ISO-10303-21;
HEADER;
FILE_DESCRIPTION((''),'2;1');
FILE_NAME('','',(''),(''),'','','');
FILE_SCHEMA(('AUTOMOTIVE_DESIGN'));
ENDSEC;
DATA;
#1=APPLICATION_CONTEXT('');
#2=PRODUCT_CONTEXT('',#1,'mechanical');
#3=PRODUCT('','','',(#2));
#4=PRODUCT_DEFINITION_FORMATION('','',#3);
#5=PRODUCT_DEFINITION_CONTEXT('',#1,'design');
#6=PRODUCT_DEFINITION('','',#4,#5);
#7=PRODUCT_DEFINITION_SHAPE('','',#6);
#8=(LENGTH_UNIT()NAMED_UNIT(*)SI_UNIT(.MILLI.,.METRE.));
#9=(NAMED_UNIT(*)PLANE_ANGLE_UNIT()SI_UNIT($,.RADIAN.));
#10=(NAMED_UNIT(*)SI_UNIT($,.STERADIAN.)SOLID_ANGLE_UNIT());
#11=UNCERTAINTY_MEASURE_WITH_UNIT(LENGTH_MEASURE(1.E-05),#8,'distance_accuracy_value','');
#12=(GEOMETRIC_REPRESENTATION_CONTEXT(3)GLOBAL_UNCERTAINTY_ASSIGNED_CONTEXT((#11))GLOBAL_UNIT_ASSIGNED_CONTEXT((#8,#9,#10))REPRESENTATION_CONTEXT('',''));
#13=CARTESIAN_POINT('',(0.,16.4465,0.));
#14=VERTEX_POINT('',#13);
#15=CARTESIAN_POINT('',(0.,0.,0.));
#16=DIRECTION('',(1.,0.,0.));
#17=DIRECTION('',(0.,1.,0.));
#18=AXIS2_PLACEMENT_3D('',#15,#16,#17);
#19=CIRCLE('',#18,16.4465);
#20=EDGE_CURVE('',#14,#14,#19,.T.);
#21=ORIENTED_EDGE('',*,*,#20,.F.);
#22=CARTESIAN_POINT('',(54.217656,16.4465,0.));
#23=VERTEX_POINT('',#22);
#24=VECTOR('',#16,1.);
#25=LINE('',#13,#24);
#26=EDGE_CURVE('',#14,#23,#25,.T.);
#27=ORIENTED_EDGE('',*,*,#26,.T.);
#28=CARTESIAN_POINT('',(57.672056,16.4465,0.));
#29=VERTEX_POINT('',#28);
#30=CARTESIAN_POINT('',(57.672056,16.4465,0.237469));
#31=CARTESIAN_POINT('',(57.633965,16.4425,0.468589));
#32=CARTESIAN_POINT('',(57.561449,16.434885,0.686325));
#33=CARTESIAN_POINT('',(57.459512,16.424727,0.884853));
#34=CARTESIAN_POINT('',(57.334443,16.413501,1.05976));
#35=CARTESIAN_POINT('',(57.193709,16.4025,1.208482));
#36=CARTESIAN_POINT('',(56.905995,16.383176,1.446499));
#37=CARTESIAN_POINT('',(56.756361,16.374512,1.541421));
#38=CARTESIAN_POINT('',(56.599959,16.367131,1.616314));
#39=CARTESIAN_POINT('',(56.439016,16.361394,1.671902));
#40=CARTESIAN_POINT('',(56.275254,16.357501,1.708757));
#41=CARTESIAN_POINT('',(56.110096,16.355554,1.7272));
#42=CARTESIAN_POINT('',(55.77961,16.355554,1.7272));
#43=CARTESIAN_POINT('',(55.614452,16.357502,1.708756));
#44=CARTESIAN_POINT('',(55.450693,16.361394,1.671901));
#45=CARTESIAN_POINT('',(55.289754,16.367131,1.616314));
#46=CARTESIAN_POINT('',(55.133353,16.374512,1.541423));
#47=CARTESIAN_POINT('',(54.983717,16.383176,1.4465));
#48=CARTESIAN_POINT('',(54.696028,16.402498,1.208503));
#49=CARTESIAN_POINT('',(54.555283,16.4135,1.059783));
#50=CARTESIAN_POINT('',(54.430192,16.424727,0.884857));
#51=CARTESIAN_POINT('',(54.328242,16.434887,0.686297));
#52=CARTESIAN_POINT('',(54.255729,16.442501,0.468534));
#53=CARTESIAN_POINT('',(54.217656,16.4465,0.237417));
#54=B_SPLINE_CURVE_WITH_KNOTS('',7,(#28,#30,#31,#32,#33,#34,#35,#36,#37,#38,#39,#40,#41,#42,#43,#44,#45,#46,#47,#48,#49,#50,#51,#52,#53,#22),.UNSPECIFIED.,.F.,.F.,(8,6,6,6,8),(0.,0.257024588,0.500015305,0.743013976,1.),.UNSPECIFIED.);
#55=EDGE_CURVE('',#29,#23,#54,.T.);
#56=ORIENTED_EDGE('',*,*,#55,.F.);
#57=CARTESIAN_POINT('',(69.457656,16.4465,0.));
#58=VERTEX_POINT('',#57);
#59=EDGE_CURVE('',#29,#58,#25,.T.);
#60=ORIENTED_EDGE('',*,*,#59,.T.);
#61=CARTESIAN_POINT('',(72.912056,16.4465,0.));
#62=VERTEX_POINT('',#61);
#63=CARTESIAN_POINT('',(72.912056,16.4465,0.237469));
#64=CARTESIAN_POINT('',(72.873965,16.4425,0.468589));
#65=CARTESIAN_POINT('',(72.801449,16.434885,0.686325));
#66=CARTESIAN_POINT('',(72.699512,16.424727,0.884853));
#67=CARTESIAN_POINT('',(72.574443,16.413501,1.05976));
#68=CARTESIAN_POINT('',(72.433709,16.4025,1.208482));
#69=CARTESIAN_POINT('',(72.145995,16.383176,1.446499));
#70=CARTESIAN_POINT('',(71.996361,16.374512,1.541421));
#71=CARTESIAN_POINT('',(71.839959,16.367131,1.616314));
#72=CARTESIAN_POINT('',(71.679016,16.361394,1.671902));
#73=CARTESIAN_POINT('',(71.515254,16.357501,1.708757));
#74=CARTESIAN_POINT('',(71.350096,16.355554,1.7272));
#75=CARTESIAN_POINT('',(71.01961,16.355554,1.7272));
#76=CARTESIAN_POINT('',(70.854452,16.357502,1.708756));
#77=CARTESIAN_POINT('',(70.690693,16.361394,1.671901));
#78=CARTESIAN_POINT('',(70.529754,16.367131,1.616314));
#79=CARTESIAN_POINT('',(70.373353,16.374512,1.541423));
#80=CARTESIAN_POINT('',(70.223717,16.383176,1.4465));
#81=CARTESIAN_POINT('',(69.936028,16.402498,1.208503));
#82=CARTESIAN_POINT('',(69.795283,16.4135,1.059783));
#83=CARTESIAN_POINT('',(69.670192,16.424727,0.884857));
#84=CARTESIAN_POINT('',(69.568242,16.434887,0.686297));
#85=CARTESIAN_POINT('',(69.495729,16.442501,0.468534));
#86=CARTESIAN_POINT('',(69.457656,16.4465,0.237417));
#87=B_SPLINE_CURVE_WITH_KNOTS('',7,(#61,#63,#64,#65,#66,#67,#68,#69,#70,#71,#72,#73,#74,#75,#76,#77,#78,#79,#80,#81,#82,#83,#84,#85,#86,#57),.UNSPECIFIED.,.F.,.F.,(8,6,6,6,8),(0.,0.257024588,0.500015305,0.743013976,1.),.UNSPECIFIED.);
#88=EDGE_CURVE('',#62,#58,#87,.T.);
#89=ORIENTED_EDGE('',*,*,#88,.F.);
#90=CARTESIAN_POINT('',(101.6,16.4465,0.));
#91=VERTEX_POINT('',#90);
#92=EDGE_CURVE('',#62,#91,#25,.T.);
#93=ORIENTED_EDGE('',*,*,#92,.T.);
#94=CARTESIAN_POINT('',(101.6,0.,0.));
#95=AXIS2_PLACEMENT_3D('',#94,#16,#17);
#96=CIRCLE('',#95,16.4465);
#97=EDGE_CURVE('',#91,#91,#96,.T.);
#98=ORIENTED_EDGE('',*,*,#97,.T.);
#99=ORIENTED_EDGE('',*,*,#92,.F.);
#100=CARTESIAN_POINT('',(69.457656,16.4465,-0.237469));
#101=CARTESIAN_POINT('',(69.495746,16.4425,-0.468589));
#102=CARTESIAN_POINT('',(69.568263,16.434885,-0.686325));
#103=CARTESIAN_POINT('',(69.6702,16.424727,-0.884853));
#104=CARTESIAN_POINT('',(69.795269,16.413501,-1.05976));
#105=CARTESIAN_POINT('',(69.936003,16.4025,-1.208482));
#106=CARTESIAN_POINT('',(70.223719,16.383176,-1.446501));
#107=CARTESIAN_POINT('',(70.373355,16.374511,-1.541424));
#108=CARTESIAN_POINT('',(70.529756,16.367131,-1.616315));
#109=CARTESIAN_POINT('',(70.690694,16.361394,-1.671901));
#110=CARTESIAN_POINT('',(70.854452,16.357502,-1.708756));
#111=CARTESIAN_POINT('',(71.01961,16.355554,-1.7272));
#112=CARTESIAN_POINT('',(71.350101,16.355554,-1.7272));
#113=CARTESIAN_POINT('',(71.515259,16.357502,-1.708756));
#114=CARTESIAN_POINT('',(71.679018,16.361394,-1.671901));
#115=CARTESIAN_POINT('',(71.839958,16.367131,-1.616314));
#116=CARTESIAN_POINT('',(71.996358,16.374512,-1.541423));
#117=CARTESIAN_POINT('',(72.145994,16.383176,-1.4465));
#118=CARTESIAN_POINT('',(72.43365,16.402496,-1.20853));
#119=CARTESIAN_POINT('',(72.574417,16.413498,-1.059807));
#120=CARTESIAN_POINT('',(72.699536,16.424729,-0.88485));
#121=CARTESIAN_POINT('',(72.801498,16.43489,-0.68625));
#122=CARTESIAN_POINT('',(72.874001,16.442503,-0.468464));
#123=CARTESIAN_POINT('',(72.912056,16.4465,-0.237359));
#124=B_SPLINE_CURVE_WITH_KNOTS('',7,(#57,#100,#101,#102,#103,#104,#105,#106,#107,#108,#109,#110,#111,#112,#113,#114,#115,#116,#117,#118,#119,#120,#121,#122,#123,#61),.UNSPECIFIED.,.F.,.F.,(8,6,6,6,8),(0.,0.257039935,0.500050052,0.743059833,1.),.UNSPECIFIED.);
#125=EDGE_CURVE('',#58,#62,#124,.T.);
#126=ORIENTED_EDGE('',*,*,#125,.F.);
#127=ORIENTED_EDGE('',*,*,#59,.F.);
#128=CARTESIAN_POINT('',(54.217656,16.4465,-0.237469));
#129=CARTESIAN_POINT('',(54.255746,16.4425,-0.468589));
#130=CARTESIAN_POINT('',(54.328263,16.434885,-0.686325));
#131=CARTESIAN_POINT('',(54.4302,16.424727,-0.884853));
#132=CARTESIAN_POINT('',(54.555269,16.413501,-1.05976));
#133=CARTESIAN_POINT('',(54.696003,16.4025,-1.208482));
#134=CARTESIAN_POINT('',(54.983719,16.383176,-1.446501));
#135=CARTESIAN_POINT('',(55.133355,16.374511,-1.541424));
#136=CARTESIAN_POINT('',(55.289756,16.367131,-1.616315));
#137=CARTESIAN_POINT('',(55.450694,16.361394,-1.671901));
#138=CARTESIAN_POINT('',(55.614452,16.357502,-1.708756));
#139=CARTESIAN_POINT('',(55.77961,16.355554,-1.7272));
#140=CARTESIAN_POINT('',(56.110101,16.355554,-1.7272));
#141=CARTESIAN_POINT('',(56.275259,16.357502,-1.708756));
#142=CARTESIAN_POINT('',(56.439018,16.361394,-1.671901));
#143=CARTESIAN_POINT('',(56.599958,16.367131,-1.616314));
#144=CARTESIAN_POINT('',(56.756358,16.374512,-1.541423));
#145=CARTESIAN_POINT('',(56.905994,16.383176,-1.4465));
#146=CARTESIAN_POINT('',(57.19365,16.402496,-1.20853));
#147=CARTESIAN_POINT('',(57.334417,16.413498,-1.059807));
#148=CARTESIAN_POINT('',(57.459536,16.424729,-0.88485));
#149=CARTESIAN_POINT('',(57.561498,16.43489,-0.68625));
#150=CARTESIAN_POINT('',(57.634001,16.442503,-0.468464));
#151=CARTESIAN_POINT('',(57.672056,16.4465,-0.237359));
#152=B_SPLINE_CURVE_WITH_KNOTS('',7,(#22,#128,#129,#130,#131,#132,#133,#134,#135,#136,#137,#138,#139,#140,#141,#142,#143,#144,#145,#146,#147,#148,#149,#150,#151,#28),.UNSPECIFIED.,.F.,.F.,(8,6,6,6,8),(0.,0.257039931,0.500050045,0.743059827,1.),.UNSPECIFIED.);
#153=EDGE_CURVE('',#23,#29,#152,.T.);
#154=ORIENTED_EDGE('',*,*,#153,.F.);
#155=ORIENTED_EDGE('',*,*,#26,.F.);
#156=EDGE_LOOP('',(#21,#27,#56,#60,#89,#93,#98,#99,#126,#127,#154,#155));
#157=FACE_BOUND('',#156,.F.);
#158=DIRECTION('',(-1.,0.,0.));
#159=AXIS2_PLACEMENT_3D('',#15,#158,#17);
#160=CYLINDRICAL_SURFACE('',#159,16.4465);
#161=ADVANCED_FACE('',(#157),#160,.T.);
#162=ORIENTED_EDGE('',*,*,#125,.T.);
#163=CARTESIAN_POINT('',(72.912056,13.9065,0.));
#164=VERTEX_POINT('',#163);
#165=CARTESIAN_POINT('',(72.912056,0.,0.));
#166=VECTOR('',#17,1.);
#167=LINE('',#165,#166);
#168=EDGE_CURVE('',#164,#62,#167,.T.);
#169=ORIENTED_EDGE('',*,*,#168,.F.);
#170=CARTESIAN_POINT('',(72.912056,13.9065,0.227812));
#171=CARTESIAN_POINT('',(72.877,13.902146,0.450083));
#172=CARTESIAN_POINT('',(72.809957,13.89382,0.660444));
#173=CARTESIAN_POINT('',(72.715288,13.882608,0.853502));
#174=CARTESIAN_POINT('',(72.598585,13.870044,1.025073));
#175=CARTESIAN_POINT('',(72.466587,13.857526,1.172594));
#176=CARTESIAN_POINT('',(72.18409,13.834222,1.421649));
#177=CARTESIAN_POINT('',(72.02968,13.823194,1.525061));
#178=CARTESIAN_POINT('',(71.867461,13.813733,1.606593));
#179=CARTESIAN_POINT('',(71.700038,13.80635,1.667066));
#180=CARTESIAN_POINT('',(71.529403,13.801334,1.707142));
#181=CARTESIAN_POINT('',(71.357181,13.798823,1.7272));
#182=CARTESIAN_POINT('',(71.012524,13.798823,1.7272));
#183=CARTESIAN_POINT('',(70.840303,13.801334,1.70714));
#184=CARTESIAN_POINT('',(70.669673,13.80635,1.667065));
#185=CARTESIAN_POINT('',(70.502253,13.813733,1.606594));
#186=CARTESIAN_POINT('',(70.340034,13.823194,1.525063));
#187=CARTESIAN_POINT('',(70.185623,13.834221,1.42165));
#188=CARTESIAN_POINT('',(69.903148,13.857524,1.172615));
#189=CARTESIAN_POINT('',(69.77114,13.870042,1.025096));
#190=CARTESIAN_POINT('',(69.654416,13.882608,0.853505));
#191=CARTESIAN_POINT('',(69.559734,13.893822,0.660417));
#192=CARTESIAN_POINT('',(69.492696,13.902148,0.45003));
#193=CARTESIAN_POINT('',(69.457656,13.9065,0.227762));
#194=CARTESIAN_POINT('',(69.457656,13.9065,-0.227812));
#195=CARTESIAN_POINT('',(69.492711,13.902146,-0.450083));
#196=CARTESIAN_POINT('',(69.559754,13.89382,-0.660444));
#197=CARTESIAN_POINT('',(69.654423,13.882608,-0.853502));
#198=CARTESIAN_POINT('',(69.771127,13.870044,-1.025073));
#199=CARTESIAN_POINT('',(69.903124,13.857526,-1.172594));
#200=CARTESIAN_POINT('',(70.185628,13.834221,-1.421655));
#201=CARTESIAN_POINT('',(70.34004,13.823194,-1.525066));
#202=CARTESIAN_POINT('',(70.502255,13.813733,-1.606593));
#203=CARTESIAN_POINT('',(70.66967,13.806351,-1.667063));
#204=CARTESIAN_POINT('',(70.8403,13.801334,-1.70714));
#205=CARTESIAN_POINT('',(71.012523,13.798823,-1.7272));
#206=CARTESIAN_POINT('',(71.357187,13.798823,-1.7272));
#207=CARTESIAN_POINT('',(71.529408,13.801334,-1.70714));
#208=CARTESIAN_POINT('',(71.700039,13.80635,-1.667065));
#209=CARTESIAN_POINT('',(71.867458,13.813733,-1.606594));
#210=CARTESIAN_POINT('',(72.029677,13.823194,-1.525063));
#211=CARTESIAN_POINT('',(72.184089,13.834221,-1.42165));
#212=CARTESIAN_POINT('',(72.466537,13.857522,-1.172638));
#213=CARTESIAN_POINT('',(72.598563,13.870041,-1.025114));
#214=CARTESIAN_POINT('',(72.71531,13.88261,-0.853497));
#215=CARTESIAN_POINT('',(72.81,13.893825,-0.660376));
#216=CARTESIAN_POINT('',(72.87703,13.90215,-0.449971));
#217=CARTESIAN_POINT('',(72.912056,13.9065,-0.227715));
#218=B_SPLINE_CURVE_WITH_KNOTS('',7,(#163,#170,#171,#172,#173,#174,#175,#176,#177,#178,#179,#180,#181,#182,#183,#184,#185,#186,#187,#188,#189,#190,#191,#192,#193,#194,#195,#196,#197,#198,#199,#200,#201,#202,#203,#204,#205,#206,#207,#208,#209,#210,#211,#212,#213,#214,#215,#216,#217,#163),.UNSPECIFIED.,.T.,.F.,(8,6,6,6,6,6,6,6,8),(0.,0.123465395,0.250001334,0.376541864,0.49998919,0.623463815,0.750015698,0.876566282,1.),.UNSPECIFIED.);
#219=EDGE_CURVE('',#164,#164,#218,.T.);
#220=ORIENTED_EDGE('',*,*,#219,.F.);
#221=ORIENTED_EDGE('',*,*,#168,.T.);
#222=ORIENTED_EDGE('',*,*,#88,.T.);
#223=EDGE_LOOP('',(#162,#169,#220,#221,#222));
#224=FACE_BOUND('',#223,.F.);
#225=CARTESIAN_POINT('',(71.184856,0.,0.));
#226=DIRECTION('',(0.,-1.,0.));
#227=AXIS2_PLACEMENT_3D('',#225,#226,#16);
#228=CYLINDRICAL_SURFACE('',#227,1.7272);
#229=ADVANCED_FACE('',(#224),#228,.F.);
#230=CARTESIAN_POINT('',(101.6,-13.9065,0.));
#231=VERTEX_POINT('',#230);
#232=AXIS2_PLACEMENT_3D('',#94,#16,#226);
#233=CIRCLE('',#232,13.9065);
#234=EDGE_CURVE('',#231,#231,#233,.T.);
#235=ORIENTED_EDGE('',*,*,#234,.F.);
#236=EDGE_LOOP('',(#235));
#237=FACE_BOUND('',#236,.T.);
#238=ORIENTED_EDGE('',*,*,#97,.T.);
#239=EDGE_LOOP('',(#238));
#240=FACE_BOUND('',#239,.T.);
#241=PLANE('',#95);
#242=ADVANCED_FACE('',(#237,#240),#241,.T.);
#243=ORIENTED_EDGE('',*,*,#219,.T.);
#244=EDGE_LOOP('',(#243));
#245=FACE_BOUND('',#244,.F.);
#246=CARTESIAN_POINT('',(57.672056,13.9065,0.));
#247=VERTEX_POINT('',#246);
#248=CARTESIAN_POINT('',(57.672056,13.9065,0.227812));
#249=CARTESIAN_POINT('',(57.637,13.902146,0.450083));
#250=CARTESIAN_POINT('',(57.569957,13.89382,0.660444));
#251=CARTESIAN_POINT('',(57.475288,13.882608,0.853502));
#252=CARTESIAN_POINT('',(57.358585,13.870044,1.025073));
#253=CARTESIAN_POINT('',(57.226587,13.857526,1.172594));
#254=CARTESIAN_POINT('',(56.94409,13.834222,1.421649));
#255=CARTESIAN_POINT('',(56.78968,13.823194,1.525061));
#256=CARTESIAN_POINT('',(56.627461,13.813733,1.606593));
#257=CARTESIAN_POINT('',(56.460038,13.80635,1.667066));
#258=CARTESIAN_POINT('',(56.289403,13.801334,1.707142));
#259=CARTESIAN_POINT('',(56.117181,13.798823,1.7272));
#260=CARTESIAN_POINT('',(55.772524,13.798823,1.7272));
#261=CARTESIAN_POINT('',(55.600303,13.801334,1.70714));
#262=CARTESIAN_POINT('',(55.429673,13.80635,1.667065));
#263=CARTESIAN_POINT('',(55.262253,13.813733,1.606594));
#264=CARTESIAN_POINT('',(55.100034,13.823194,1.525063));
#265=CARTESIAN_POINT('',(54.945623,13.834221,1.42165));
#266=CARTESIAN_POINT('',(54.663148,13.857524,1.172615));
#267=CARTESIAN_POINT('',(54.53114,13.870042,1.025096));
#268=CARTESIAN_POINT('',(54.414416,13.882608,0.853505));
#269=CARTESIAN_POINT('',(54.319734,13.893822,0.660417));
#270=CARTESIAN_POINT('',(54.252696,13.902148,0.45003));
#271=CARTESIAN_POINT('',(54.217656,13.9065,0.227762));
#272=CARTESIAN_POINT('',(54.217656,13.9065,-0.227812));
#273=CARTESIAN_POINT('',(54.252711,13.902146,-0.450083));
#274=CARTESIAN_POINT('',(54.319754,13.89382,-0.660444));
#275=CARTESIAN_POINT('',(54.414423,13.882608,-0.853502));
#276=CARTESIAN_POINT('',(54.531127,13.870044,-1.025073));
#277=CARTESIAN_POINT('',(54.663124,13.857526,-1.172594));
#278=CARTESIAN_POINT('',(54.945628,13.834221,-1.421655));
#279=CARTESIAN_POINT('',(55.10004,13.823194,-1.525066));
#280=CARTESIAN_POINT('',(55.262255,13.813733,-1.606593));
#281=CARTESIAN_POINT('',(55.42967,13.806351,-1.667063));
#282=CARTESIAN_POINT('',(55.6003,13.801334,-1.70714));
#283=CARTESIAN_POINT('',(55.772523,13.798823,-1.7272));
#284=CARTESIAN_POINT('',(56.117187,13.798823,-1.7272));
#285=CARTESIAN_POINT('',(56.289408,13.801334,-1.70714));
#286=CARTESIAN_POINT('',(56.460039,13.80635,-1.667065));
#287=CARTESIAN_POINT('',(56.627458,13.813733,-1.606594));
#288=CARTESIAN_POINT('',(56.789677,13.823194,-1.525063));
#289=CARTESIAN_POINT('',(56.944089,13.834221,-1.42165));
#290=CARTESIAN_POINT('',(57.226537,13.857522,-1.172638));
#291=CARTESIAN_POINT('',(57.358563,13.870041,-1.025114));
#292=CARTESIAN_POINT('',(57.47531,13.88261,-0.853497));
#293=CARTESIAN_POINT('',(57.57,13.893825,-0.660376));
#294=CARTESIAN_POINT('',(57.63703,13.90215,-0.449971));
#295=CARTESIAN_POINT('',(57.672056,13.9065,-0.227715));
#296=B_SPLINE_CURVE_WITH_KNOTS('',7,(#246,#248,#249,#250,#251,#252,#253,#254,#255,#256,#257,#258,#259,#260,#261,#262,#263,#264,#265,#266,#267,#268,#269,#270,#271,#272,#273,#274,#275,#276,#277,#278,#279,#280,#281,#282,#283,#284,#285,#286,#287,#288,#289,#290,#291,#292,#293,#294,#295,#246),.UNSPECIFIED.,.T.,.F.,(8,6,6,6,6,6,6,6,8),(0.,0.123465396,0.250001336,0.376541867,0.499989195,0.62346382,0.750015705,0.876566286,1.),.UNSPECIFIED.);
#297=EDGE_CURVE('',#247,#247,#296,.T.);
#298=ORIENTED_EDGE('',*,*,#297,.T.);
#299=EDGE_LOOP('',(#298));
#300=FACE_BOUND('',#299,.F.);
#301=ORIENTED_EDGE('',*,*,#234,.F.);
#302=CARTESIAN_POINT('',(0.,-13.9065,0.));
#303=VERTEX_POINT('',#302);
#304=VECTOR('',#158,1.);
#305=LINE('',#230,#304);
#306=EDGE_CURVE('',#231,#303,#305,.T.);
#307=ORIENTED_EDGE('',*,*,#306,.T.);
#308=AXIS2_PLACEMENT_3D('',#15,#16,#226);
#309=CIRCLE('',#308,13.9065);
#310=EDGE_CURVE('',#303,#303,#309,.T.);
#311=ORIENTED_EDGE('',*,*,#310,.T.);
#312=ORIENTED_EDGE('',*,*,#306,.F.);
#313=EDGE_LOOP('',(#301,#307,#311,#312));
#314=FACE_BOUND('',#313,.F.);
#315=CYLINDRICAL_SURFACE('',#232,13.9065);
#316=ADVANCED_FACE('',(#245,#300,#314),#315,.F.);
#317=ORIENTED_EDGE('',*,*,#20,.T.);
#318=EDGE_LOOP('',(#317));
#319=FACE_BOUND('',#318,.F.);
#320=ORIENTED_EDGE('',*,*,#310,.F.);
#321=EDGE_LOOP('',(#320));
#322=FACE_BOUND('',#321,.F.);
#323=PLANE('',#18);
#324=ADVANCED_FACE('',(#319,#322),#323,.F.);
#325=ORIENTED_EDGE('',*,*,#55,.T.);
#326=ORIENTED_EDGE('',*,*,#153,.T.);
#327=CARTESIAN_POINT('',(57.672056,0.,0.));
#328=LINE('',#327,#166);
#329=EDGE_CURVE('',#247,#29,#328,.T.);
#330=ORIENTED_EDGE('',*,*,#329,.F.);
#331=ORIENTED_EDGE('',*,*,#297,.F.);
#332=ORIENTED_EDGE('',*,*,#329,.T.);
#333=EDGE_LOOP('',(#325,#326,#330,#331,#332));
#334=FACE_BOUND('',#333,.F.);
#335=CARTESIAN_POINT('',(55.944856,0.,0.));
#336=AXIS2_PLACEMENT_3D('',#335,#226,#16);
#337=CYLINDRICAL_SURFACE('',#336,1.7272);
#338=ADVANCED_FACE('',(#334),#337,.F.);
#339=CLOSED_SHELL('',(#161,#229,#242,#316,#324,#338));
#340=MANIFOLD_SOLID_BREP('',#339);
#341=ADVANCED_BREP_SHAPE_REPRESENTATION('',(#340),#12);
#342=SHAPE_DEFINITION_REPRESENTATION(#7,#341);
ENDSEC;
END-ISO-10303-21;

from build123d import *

# Parameters (mm, degrees)
F0_R     = 16.4465
F1_DEPTH = 101.6
F4_DEPTH = 101.601
F5_D     = 3.4544
F5_DEPTH = 16.4475
F6_D     = 3.4544
F6_DEPTH = 16.4475001


with BuildPart() as f1:
    # F0 (on Right) → F1 (new body)
    with BuildSketch(Plane.YZ):
        Circle(F0_R)
    extrude(amount=F1_DEPTH)

    # F2 (on face) → F4 (cut, through all)
    with BuildSketch(Plane.YZ.offset(101.6)):
        with BuildLine():
            ThreePointArc((13.9065, 0), (0, 13.9065), (-13.9065, 0))
            ThreePointArc((-13.9065, 0), (0, -13.9065), (13.9065, 0))
        make_face()
    extrude(amount=-F4_DEPTH, mode=Mode.SUBTRACT)

    # F5 (through all, one way)
    with BuildSketch(Plane.XZ):
        with Locations((71.1848556182, 0)):
            Circle(F5_D / 2)
    extrude(amount=-F5_DEPTH, mode=Mode.SUBTRACT)

    # F6 (through all, one way)
    with BuildSketch(Plane.XZ):
        with Locations((55.9448556182, 0)):
            Circle(F6_D / 2)
    extrude(amount=-F6_DEPTH, mode=Mode.SUBTRACT)


solid = f1.part
